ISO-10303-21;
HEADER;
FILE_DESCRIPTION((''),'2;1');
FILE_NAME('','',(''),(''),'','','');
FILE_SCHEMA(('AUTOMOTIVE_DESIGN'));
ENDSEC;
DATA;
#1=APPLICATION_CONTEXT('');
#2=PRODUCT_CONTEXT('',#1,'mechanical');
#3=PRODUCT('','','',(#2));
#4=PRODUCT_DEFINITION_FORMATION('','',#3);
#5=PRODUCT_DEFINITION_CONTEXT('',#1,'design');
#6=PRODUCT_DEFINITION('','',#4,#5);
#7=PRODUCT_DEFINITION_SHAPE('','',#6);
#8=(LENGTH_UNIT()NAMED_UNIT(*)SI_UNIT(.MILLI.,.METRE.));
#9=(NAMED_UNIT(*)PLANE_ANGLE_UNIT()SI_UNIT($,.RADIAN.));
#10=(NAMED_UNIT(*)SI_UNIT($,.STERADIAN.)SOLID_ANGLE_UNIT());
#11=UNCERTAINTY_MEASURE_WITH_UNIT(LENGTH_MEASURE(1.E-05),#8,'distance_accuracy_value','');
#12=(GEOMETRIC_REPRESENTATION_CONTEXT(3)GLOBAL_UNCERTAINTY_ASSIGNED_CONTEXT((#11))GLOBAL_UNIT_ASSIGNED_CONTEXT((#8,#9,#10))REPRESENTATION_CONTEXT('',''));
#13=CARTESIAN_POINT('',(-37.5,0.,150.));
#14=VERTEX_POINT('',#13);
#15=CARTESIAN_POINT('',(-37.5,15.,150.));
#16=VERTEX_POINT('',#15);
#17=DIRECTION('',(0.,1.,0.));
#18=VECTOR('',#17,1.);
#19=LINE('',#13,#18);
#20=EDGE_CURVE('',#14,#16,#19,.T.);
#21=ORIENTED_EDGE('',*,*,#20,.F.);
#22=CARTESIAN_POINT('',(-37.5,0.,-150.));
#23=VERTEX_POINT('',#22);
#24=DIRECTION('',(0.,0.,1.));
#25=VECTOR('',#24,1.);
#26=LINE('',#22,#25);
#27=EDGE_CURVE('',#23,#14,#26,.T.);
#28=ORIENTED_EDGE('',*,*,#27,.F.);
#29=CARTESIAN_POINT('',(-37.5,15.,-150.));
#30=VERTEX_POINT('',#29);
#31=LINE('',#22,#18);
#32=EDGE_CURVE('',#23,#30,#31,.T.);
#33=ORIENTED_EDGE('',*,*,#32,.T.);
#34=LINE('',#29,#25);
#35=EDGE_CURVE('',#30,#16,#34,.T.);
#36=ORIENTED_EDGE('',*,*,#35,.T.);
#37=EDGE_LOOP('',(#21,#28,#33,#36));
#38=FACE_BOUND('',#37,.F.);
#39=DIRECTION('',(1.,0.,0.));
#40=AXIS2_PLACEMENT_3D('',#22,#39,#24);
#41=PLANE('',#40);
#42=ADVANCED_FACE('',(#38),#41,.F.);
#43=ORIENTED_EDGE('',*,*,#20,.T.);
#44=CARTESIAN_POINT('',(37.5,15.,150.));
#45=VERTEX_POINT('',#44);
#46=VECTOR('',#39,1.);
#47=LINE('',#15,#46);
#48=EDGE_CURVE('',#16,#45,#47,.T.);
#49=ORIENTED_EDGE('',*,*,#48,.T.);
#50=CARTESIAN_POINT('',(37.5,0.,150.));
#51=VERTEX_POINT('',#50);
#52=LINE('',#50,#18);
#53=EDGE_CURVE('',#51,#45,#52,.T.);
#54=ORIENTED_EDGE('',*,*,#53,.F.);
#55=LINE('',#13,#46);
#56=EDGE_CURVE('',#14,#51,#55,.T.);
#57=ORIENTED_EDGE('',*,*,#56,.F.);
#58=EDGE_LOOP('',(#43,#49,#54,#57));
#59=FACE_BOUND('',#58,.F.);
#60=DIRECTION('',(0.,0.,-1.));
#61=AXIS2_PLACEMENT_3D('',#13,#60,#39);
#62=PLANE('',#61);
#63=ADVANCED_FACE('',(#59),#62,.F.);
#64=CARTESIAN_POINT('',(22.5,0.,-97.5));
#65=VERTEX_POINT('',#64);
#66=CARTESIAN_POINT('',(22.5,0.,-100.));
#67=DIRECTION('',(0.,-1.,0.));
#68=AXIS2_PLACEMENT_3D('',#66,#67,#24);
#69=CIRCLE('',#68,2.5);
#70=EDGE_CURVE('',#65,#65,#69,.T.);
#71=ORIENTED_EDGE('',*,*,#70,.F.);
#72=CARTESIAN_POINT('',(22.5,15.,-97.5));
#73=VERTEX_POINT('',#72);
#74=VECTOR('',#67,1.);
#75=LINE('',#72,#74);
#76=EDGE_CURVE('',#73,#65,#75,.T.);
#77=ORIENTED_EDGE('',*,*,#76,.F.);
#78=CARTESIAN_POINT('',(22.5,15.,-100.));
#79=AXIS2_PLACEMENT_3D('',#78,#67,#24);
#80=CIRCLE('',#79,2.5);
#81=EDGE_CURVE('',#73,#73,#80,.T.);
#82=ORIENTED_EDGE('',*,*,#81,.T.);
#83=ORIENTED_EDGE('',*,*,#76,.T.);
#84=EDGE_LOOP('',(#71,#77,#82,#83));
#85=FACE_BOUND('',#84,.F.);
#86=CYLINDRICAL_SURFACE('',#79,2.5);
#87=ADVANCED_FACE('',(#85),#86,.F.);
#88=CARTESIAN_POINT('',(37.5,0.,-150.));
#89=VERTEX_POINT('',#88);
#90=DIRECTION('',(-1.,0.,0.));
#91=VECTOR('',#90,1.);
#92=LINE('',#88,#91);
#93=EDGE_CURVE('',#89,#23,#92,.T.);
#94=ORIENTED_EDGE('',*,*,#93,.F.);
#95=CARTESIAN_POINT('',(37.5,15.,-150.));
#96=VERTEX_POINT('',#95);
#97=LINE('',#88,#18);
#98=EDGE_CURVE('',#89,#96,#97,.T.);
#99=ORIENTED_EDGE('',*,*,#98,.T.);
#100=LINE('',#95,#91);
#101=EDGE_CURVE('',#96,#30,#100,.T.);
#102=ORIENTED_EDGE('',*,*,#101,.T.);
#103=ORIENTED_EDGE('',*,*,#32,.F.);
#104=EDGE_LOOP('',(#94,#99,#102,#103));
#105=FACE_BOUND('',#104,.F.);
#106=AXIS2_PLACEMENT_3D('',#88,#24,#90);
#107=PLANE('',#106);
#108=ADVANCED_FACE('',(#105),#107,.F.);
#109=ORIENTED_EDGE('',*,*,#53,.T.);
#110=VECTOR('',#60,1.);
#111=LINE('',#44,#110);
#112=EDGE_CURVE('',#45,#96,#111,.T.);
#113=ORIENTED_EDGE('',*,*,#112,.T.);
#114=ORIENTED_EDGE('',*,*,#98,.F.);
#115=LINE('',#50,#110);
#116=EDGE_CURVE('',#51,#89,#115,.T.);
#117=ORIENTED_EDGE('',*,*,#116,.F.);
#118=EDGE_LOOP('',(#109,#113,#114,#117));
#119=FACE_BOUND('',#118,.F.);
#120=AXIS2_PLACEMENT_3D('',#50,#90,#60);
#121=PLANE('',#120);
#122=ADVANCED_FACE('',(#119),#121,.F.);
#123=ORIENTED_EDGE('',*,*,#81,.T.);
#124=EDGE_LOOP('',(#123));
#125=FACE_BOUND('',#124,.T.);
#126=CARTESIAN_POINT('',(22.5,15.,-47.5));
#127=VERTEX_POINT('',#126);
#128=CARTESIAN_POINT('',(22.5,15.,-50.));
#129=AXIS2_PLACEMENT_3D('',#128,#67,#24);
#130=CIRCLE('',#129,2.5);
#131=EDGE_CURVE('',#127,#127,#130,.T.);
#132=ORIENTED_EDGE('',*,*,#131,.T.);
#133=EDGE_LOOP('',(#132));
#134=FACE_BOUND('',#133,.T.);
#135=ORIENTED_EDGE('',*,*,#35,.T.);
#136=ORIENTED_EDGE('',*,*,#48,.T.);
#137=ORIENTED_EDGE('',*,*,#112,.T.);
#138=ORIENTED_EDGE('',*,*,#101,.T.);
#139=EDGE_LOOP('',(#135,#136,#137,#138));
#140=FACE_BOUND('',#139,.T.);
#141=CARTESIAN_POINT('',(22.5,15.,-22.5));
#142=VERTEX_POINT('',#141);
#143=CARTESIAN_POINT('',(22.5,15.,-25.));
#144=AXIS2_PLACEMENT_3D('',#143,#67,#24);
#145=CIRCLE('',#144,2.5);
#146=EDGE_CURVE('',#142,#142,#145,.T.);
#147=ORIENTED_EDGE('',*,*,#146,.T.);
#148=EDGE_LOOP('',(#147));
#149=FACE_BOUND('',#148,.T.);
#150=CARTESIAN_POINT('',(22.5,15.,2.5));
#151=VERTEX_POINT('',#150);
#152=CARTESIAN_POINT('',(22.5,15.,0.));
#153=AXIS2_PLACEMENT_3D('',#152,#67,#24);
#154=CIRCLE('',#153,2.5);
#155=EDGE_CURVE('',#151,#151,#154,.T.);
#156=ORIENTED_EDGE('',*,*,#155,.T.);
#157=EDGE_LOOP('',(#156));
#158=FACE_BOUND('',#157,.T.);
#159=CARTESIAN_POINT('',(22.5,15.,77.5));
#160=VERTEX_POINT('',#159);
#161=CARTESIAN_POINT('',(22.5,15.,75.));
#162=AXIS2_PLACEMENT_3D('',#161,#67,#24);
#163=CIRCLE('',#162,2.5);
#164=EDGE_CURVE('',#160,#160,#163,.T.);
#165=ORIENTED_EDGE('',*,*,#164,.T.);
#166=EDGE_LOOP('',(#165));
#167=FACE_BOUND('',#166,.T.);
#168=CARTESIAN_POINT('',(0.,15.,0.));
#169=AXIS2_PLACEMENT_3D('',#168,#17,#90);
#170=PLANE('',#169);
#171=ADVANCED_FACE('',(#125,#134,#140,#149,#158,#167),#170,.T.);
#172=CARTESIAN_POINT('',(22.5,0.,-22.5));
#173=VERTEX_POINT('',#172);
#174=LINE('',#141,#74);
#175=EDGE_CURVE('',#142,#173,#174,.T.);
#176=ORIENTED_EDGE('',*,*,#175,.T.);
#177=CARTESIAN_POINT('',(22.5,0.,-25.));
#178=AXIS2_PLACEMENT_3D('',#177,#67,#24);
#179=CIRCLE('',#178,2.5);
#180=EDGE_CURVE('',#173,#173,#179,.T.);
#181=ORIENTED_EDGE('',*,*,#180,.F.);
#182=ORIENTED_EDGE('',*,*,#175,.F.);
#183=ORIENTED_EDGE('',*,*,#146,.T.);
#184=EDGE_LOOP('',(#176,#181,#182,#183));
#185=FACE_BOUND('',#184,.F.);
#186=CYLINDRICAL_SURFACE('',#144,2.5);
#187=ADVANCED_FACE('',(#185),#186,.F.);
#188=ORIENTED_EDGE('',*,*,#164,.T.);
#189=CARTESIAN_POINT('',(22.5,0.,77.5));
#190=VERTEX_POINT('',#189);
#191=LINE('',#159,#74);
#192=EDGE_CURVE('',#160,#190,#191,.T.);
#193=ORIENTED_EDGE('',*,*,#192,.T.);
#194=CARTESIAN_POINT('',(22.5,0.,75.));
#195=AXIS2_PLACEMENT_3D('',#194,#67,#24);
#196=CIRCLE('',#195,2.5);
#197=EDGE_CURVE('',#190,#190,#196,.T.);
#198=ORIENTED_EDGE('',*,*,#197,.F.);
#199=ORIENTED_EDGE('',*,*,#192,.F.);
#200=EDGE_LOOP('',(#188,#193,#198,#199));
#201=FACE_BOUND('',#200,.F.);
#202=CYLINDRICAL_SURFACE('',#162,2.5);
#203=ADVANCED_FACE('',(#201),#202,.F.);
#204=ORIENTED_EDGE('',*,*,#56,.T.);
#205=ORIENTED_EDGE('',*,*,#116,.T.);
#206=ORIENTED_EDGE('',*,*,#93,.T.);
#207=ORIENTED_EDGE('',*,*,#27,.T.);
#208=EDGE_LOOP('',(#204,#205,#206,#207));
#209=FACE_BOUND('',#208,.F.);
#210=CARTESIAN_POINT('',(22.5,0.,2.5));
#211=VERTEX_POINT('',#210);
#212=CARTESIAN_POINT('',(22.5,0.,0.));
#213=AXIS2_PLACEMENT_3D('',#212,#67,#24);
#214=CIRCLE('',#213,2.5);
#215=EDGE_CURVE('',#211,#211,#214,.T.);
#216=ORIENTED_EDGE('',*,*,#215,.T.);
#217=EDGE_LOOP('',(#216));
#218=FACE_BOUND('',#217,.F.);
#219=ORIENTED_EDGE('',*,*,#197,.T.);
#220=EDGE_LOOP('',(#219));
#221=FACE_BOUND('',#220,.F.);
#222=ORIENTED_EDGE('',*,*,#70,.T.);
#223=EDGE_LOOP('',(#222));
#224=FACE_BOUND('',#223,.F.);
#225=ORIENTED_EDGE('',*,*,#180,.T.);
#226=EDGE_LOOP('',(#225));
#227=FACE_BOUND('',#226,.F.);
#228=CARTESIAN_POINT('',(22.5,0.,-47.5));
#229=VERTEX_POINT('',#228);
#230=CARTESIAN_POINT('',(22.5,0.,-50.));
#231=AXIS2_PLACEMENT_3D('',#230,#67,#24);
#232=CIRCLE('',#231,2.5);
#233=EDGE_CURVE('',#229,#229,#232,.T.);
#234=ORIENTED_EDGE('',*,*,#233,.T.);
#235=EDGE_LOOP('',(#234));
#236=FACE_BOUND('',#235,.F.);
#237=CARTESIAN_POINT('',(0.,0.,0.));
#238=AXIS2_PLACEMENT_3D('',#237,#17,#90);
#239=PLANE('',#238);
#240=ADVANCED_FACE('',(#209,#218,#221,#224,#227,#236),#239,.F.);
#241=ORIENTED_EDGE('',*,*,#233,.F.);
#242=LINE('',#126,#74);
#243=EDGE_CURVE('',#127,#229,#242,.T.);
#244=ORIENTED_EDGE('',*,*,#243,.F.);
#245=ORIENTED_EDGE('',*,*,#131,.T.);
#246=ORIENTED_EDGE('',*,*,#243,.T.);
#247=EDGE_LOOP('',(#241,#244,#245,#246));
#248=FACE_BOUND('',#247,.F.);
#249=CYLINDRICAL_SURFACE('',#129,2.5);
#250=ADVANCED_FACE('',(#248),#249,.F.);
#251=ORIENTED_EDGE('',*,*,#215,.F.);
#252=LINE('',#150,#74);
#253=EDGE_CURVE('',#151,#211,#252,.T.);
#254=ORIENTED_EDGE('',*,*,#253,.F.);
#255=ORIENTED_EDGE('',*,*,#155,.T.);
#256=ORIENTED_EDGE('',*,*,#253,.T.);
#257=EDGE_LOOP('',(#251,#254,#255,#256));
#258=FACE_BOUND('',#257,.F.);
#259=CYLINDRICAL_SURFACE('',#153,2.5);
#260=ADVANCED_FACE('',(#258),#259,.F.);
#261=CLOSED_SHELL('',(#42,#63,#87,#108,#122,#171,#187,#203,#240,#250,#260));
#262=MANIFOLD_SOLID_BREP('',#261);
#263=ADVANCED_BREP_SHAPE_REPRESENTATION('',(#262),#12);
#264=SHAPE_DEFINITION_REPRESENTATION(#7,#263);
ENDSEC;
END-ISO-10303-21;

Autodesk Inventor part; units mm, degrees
sketch "Sketch1" plane through (0, 0, 0) normal (0, 1, 0) x (-1, 0, 0)
  line L0 (37.5, 150) -> (-37.5, 150)
  line L1 (-37.5, 150) -> (-37.5, -150)
  line L2 (-37.5, -150) -> (37.5, -150)
  line L3 (37.5, -150) -> (37.5, 150)
  line L4 (37.5, 150) -> (-37.5, -150) construction
  line L5 (-37.5, 150) -> (37.5, -150) construction
  point P0 (0, 0)
  dimension "d0" = 75
  dimension "d1" = 300
extrude "Extrusion1" add sketch "Sketch1" along normal blind 15
sketch "Sketch2" plane through (0, 15, 0) normal (0, 1, 0) x (1, 0, 0)
  line L0 (37.5, -150) -> (37.5, 150) projected
  line L1 (37.5, 150) -> (-37.5, 150) projected
  point P0 (0, 0)
  point P1 (22.5, 100)
  dimension "d11" = 15
  dimension "d12" = 50
hole "Hole1" at (22.5, 15, -100) direction (0, -1, 0) diameter 5 end through all
pattern_linear "Rectangular Pattern1" count 2 spacing 50 along (0, 0, 1) of "Hole1"
pattern_linear "Rectangular Pattern2" count 2 spacing 75 along (0, 0, 1) of "Hole1"
pattern_linear "Rectangular Pattern3" count 2 spacing 100 along (0, 0, 1) of "Hole1", "Rectangular Pattern2"
properties part number "PrinterHeadLip_RightSide"
